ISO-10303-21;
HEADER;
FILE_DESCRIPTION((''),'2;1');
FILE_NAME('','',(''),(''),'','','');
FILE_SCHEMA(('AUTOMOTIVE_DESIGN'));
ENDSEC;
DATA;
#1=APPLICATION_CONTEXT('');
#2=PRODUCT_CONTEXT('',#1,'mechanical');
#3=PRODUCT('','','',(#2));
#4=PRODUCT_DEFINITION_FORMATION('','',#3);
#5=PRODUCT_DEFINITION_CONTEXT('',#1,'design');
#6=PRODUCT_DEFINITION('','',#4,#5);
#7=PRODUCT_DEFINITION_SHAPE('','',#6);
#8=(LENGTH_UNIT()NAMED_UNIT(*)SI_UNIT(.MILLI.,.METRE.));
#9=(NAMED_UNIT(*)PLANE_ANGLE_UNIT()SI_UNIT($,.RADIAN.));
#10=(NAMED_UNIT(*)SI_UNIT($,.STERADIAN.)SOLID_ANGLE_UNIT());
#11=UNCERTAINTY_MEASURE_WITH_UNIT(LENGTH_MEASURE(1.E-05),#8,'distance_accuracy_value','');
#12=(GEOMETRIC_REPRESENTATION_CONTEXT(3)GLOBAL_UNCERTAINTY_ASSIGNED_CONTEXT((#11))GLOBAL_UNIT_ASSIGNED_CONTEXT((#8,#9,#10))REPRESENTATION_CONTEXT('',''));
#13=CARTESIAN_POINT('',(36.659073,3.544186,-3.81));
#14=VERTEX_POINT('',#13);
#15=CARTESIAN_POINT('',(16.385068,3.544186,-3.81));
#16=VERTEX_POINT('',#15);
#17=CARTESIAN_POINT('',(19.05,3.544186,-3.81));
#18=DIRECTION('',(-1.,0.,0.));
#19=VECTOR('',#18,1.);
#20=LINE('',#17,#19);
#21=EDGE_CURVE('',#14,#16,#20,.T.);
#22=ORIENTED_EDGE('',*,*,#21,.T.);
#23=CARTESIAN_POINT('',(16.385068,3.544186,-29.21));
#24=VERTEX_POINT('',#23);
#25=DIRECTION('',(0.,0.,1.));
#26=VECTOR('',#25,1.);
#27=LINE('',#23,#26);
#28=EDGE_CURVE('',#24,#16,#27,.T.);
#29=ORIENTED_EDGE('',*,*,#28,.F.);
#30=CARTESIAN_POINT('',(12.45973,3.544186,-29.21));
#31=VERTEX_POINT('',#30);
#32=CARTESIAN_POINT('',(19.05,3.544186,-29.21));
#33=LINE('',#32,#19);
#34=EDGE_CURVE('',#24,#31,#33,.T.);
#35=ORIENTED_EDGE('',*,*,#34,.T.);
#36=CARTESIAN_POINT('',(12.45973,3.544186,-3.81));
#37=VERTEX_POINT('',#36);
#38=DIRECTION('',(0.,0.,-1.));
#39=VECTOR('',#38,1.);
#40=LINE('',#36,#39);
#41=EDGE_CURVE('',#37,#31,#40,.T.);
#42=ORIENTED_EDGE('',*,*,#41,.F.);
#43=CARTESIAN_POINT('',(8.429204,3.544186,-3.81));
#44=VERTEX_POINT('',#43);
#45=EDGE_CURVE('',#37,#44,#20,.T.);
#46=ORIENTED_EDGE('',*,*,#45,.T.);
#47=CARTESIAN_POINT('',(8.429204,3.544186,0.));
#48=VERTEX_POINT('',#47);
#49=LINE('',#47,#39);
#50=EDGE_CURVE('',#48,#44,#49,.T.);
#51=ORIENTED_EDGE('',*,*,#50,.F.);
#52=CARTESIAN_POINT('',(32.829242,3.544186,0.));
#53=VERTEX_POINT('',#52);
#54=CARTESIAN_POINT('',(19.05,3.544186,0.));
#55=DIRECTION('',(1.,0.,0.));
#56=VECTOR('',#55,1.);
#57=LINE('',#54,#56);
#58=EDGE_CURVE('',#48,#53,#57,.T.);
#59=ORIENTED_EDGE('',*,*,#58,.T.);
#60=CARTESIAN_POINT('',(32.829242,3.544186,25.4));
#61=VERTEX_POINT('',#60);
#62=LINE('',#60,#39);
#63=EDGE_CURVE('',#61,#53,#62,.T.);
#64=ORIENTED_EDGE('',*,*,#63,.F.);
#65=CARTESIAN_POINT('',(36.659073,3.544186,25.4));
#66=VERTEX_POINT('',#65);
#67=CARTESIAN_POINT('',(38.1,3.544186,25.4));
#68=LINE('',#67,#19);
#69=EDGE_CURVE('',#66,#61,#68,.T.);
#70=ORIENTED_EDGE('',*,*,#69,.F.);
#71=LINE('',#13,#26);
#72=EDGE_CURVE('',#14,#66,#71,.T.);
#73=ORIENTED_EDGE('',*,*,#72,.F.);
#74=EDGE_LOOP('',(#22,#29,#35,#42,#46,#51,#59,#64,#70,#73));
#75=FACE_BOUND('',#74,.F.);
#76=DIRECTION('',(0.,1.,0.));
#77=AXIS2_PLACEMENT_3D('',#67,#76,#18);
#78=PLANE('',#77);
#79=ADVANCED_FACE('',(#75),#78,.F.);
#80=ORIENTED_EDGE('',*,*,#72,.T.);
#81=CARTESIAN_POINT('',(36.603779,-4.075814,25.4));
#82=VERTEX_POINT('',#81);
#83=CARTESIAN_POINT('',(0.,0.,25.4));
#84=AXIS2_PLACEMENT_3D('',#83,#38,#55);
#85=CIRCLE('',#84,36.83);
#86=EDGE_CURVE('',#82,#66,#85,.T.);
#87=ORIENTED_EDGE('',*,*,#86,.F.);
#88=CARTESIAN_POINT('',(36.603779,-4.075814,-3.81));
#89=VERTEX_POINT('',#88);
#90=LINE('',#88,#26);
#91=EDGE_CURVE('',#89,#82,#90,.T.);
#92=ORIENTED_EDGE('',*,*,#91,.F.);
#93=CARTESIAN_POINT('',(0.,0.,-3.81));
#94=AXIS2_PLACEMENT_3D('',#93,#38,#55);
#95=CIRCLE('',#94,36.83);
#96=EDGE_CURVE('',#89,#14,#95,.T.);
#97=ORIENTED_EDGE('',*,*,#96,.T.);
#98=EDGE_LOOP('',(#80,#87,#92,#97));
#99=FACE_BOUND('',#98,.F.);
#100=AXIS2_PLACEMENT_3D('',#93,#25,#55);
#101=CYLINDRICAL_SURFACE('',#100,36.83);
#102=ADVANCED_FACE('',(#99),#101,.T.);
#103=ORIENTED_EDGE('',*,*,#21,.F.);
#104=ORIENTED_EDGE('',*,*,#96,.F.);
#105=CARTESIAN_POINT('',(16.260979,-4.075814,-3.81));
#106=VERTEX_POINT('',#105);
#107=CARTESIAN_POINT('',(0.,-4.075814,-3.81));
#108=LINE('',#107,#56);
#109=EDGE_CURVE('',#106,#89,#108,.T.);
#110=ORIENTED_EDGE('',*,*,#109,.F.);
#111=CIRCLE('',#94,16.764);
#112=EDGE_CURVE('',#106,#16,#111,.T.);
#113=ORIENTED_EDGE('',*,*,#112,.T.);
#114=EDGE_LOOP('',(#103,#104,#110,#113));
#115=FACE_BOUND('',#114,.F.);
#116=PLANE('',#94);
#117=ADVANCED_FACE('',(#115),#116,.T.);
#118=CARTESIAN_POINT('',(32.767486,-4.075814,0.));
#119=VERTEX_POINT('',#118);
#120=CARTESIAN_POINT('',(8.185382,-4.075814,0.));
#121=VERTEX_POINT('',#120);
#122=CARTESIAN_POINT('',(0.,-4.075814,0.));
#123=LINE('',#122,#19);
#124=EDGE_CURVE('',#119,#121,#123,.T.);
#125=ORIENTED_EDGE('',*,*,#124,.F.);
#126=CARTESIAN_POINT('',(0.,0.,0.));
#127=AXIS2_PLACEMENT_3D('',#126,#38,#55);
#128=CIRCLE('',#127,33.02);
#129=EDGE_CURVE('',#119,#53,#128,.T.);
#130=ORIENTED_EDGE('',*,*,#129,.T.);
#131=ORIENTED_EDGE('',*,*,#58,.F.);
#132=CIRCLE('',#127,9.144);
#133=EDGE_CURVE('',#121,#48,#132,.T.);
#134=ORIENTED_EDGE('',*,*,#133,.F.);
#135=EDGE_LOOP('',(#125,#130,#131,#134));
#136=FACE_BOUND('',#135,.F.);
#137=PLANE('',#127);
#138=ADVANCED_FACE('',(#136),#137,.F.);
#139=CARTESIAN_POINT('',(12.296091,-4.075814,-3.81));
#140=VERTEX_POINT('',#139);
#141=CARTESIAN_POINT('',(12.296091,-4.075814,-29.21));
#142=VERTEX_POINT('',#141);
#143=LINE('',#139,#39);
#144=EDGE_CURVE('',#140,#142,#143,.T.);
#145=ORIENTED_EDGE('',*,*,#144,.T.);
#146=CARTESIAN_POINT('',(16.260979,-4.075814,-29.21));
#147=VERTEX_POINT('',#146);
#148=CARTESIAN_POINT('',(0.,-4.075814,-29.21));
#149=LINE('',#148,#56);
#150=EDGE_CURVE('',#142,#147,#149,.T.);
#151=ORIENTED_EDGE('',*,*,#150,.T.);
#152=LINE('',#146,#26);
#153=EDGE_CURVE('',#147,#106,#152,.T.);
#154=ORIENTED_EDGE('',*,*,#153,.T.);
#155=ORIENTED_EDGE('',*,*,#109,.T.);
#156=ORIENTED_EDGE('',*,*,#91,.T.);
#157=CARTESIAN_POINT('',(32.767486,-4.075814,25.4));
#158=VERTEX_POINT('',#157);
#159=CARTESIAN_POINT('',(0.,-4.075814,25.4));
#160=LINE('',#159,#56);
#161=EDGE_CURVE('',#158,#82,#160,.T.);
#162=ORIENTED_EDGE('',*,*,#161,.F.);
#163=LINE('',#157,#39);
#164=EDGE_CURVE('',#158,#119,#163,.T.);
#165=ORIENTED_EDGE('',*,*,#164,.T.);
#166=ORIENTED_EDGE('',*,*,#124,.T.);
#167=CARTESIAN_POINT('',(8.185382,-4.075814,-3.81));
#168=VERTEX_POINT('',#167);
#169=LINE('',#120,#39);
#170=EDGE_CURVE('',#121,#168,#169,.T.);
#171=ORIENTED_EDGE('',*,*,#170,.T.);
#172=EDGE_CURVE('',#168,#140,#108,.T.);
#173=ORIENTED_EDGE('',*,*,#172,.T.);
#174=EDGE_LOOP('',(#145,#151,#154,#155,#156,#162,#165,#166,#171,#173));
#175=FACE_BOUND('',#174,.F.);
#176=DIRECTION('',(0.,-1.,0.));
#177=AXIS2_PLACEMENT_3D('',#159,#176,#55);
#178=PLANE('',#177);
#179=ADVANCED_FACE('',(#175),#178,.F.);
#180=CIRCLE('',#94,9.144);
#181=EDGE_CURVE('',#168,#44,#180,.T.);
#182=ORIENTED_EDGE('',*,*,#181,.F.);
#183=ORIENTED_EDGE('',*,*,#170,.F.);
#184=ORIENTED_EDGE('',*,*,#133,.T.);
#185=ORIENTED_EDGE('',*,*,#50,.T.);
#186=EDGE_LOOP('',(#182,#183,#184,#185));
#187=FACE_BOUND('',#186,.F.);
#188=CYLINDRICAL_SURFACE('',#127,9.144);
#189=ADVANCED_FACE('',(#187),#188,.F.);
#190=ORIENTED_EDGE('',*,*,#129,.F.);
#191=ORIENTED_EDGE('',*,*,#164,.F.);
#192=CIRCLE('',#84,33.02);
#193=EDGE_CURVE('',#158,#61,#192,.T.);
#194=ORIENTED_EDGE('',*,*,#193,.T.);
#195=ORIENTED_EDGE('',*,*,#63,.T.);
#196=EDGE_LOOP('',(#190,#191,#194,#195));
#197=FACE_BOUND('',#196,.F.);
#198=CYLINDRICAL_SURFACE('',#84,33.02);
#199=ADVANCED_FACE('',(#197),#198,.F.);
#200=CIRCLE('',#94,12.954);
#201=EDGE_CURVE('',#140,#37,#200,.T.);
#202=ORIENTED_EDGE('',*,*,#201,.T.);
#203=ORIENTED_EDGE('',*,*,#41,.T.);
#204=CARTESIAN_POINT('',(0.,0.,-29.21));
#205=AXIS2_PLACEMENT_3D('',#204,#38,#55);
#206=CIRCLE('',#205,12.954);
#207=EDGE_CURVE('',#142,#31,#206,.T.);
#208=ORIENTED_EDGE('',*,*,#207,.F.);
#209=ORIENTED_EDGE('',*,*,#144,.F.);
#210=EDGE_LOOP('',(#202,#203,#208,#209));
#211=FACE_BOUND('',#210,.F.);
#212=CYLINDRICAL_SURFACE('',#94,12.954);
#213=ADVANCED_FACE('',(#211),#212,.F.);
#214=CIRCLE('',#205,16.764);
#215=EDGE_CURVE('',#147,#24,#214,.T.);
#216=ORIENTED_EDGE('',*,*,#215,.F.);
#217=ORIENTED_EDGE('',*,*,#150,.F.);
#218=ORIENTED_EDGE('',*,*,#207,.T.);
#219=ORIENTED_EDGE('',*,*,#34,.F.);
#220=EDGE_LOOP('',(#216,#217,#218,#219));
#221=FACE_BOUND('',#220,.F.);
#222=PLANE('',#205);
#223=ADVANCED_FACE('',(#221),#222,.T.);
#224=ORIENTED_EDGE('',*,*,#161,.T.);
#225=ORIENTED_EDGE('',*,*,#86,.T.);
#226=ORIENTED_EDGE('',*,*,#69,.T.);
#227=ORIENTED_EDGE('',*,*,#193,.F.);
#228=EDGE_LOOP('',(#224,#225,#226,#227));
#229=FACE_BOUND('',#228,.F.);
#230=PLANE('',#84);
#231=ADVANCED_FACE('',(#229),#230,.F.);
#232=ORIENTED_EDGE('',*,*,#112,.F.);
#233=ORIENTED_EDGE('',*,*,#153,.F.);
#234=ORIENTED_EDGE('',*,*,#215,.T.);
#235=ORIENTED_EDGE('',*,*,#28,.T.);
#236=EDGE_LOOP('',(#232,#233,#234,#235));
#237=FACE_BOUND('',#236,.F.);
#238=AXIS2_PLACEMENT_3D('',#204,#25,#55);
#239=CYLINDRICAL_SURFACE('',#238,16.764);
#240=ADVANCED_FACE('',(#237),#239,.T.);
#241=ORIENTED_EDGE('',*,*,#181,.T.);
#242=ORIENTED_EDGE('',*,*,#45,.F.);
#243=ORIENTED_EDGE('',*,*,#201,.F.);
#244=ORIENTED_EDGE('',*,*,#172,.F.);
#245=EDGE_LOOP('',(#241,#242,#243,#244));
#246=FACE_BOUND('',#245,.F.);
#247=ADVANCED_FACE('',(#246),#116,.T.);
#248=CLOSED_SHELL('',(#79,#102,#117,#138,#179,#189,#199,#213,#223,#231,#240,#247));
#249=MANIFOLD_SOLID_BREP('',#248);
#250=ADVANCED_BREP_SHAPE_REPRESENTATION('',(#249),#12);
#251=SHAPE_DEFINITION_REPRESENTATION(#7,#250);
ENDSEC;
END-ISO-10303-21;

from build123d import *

# Parameters (mm, degrees)
F4_DEPTH = 54.611


with BuildPart() as f2:
    # F0 (on Front) → F2 (revolve)
    with BuildSketch(Plane.XZ):
        Polygon((12.954, -3.81), (12.954, -29.21), (16.764, -29.21), (16.764, -3.81), (36.83, -3.81), (36.83, 25.4), (33.02, 25.4), (33.02, 0), (9.144, 0), (9.144, -3.81), align=None)
    revolve(axis=Axis((0, 0, -9.445624), (0, 0, -1)))

    # F3 (on face) → F4 (cut, through all)
    with BuildSketch(Plane.XY.offset(25.4)):
        Polygon((0, 3.544186), (0, 0), (0, -4.075814), (38.1, -4.075814), (38.1, 3.544186), align=None)
    extrude(amount=-F4_DEPTH, mode=Mode.SUBTRACT)


solid = f2.part
